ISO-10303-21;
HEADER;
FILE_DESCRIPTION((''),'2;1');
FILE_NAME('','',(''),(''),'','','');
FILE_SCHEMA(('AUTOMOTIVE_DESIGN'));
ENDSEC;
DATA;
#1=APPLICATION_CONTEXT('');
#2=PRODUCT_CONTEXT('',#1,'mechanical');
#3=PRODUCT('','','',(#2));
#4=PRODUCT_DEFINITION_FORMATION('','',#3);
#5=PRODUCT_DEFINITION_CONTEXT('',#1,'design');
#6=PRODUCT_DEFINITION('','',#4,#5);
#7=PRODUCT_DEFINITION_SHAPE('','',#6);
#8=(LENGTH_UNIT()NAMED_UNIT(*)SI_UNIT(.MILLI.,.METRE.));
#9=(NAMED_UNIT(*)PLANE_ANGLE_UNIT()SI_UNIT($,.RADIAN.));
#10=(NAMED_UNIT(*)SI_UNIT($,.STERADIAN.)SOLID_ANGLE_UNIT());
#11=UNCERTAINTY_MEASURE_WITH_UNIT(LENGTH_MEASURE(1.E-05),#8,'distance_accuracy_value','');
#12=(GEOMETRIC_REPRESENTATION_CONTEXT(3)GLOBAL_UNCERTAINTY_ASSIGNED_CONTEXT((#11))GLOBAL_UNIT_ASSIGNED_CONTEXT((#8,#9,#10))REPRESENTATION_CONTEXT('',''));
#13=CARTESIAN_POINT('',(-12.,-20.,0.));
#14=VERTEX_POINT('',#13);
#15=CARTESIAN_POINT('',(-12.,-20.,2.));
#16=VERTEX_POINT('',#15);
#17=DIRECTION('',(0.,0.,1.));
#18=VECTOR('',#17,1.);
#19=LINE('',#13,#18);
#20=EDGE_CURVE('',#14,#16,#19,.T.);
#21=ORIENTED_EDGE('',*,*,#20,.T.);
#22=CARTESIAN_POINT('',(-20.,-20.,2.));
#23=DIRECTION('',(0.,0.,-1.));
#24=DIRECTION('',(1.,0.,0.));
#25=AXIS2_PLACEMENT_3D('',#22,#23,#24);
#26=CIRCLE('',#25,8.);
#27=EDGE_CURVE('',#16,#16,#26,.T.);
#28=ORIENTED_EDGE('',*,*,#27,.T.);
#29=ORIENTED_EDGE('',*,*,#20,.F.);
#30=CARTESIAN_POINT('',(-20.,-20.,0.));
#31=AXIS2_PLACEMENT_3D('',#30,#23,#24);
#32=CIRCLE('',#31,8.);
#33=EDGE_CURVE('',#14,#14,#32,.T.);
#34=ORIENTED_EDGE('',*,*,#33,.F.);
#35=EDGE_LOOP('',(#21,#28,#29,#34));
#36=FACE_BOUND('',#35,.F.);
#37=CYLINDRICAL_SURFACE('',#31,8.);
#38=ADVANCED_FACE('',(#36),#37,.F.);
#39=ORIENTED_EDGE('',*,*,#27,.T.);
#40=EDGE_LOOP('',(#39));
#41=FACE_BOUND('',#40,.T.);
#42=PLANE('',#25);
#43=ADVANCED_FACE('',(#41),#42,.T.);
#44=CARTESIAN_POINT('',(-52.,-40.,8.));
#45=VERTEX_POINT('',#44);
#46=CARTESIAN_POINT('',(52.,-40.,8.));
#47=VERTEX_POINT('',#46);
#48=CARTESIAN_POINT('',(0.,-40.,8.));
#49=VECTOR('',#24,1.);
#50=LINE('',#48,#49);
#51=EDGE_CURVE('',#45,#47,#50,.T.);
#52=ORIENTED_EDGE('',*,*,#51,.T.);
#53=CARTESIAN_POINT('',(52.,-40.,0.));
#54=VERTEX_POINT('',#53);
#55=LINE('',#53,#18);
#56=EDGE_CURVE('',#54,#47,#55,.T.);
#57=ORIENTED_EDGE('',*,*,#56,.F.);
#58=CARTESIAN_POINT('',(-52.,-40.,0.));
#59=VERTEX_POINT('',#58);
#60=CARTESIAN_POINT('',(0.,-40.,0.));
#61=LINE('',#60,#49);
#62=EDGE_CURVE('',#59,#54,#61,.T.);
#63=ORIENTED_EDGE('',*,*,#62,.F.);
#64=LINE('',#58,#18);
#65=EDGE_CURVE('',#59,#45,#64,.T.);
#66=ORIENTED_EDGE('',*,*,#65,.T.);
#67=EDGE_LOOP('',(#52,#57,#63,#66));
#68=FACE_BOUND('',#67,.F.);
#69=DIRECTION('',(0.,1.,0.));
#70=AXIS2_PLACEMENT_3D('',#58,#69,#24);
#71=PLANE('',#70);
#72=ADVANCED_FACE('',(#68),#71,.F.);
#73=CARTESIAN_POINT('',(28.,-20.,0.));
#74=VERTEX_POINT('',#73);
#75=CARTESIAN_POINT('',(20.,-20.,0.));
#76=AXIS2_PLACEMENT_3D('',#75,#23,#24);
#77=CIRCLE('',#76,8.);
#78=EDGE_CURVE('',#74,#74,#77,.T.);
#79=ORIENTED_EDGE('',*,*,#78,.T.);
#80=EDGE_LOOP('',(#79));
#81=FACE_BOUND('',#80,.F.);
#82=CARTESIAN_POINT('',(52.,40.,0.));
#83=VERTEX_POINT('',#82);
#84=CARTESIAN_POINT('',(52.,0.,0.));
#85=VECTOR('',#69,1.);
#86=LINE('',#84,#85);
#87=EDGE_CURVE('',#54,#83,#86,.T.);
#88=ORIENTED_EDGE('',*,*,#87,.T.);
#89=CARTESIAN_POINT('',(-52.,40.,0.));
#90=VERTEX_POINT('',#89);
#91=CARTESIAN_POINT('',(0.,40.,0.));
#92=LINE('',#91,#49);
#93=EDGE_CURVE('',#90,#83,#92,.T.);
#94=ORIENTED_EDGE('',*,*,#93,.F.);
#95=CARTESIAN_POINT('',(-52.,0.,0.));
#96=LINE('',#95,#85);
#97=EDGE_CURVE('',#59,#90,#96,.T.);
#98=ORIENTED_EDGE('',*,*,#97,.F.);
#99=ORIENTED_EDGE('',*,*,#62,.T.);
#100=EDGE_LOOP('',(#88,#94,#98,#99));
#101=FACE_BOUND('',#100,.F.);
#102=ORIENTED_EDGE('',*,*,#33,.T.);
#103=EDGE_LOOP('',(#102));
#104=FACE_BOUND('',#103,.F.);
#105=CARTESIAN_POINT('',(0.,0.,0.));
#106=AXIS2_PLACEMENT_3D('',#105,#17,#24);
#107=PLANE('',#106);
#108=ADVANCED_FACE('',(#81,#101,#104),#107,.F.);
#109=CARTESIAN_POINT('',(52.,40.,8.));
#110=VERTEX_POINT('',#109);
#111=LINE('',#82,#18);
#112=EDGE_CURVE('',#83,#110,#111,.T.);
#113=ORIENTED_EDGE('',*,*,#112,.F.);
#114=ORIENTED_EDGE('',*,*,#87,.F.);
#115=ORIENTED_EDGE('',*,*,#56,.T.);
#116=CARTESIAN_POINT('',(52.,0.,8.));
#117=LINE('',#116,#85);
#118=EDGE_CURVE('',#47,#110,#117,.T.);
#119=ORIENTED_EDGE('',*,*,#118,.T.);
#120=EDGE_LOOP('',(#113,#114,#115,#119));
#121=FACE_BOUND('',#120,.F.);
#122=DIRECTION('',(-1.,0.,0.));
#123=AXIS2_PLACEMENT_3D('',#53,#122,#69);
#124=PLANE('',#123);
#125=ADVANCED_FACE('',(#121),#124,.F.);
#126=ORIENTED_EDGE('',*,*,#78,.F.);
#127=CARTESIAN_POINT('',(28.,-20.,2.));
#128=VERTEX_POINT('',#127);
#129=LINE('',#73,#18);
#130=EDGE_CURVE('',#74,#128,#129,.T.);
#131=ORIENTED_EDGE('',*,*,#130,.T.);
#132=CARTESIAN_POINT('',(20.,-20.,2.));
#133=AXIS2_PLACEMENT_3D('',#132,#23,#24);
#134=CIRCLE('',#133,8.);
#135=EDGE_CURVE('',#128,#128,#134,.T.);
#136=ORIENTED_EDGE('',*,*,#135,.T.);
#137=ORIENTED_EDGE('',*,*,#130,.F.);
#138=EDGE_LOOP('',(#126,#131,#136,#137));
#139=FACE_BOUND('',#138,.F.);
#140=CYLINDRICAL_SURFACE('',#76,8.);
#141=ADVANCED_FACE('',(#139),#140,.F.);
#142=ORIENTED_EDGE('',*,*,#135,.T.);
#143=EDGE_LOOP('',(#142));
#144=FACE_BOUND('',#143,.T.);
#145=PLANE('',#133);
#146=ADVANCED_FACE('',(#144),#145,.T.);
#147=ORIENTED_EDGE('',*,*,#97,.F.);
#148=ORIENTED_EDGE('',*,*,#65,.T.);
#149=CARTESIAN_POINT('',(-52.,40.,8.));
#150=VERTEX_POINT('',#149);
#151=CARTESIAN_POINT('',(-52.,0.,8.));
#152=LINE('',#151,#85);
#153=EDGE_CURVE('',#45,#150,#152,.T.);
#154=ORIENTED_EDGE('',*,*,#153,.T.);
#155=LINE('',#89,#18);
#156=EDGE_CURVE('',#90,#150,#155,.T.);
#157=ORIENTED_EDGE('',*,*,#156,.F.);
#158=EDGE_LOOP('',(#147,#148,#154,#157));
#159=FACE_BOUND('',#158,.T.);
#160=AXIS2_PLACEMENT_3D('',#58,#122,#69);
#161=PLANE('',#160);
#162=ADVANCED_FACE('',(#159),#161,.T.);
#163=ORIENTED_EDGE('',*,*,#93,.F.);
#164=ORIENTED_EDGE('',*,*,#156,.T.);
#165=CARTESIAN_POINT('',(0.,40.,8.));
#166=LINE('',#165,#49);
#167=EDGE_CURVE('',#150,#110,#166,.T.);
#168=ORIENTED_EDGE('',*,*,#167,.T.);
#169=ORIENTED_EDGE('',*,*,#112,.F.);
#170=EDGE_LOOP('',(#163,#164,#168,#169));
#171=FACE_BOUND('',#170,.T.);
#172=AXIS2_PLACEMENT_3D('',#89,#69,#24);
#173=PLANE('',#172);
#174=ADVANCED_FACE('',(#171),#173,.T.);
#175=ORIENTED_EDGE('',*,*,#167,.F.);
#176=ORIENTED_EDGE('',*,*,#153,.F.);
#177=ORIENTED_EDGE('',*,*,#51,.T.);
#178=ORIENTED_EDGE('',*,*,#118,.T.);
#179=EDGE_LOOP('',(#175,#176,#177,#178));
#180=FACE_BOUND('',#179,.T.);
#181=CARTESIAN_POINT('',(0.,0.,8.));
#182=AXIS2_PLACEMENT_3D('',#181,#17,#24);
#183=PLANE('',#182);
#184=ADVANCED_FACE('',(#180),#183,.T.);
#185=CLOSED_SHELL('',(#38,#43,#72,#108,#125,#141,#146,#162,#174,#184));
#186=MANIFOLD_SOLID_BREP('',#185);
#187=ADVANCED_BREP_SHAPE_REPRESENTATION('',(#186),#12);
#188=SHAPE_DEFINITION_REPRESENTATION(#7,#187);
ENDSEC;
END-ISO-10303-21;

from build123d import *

# Parameters (mm, degrees)
F0_W     = 104
F0_H     = 80
F1_DEPTH = 8
F2_R     = 8
F3_DEPTH = 2


with BuildPart() as f1:
    # F0 (on Top) → F1 (new body)
    with BuildSketch(Plane.XY):
        Rectangle(F0_W, F0_H)
    extrude(amount=F1_DEPTH)

    # F2 (on face) → F3 (cut)
    with BuildSketch(Plane(origin=(0, 0, 0), x_dir=(1, 0, 0), z_dir=(0, 0, -1))):
        with Locations((20, 20)):
            Circle(F2_R)
        with Locations((-20, 20)):
            Circle(F2_R)
    extrude(amount=-F3_DEPTH, mode=Mode.SUBTRACT)


solid = f1.part
